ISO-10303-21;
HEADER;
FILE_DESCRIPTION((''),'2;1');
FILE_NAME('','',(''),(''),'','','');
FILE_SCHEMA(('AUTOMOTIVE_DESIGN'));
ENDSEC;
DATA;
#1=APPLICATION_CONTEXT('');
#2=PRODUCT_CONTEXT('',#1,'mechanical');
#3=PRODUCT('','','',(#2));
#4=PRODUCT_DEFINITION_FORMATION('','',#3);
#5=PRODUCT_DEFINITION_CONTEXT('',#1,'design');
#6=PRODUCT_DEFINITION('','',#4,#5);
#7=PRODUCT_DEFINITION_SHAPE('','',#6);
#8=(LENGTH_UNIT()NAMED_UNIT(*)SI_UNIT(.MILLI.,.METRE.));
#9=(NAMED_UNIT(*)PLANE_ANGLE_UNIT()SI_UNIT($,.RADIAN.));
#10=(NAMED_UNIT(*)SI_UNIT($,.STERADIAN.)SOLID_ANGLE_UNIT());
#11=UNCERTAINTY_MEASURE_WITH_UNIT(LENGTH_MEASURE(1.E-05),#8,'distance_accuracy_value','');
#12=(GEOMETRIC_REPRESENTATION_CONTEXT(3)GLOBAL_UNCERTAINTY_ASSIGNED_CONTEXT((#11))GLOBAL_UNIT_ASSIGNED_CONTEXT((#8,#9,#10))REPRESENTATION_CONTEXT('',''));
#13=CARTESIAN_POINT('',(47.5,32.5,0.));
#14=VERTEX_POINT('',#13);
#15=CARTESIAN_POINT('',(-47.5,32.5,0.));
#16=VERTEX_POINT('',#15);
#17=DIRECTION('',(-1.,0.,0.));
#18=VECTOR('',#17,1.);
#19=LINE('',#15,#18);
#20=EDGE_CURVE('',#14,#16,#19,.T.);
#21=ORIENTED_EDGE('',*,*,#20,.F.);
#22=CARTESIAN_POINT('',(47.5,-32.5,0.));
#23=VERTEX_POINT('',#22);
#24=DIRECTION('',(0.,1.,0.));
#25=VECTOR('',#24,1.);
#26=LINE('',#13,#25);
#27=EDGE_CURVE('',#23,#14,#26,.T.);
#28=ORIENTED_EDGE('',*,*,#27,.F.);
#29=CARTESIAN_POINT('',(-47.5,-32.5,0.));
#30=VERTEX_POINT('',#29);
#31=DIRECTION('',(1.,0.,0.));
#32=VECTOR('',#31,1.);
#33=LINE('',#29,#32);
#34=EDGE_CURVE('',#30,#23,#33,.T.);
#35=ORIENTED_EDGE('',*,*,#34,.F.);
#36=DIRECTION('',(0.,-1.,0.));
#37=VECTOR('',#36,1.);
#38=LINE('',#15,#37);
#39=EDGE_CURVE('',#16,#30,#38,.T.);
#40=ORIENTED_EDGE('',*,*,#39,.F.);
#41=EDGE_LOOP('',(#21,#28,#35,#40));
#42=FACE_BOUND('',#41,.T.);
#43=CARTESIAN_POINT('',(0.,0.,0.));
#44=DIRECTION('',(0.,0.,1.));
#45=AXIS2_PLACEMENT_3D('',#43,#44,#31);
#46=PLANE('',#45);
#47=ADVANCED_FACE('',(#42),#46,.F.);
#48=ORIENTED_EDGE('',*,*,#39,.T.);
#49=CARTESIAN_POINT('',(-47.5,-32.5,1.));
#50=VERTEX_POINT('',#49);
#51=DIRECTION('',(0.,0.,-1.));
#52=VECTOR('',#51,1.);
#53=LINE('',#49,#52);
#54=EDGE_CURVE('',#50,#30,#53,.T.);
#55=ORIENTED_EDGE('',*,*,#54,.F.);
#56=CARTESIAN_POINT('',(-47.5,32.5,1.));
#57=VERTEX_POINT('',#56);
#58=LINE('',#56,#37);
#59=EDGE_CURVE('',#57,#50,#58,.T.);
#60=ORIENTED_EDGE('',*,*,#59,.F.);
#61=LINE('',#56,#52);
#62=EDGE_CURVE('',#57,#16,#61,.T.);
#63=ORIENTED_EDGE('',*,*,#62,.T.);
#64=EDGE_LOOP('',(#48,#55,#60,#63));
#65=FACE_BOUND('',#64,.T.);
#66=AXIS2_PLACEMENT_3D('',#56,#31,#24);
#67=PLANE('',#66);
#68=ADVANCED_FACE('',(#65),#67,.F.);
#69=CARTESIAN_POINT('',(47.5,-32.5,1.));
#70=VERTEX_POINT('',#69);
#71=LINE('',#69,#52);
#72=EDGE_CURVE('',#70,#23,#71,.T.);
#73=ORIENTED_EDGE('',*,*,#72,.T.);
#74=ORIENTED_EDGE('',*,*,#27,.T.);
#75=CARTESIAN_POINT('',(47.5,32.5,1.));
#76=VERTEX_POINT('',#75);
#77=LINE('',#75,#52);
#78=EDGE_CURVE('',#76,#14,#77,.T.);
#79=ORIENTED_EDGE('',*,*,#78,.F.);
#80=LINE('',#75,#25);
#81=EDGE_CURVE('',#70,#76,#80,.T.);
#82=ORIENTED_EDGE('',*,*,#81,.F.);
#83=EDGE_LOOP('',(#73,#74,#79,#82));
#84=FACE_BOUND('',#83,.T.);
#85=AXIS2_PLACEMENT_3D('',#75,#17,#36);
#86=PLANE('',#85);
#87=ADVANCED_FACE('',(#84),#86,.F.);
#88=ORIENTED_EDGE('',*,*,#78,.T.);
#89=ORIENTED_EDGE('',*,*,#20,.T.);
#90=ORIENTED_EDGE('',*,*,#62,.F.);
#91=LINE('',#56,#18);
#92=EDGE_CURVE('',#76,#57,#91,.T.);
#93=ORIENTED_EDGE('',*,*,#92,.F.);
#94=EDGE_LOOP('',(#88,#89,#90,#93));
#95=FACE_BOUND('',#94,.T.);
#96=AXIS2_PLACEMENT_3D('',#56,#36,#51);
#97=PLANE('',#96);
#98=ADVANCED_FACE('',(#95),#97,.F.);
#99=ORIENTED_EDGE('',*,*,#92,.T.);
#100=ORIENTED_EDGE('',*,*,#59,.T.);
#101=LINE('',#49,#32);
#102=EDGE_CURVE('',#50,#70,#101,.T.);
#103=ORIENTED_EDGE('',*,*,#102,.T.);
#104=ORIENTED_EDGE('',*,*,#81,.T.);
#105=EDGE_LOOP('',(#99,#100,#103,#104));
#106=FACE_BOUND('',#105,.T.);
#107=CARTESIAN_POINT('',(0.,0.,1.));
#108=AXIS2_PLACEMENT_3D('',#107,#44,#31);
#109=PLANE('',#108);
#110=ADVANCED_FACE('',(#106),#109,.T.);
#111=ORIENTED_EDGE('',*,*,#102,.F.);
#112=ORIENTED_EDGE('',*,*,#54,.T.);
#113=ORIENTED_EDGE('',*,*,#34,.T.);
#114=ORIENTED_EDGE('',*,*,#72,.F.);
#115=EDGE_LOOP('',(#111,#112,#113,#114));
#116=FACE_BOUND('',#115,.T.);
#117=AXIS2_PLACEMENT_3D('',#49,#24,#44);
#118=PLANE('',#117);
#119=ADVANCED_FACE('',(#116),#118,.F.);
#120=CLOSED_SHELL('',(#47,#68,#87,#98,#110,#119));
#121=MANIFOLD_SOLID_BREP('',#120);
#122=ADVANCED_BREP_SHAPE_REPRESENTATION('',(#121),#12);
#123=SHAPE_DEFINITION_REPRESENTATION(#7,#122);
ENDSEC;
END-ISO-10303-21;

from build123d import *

# Parameters (mm, degrees)
ESQUISSE1_W        = 95
ESQUISSE1_H        = 65
BOSS_EXTRU_1_DEPTH = 1


with BuildPart() as part:
    # Esquisse1 → Boss.-Extru.1 (new body)
    with BuildSketch(Plane.XY):
        Rectangle(ESQUISSE1_W, ESQUISSE1_H)
    extrude(amount=BOSS_EXTRU_1_DEPTH)


solid = part.part
